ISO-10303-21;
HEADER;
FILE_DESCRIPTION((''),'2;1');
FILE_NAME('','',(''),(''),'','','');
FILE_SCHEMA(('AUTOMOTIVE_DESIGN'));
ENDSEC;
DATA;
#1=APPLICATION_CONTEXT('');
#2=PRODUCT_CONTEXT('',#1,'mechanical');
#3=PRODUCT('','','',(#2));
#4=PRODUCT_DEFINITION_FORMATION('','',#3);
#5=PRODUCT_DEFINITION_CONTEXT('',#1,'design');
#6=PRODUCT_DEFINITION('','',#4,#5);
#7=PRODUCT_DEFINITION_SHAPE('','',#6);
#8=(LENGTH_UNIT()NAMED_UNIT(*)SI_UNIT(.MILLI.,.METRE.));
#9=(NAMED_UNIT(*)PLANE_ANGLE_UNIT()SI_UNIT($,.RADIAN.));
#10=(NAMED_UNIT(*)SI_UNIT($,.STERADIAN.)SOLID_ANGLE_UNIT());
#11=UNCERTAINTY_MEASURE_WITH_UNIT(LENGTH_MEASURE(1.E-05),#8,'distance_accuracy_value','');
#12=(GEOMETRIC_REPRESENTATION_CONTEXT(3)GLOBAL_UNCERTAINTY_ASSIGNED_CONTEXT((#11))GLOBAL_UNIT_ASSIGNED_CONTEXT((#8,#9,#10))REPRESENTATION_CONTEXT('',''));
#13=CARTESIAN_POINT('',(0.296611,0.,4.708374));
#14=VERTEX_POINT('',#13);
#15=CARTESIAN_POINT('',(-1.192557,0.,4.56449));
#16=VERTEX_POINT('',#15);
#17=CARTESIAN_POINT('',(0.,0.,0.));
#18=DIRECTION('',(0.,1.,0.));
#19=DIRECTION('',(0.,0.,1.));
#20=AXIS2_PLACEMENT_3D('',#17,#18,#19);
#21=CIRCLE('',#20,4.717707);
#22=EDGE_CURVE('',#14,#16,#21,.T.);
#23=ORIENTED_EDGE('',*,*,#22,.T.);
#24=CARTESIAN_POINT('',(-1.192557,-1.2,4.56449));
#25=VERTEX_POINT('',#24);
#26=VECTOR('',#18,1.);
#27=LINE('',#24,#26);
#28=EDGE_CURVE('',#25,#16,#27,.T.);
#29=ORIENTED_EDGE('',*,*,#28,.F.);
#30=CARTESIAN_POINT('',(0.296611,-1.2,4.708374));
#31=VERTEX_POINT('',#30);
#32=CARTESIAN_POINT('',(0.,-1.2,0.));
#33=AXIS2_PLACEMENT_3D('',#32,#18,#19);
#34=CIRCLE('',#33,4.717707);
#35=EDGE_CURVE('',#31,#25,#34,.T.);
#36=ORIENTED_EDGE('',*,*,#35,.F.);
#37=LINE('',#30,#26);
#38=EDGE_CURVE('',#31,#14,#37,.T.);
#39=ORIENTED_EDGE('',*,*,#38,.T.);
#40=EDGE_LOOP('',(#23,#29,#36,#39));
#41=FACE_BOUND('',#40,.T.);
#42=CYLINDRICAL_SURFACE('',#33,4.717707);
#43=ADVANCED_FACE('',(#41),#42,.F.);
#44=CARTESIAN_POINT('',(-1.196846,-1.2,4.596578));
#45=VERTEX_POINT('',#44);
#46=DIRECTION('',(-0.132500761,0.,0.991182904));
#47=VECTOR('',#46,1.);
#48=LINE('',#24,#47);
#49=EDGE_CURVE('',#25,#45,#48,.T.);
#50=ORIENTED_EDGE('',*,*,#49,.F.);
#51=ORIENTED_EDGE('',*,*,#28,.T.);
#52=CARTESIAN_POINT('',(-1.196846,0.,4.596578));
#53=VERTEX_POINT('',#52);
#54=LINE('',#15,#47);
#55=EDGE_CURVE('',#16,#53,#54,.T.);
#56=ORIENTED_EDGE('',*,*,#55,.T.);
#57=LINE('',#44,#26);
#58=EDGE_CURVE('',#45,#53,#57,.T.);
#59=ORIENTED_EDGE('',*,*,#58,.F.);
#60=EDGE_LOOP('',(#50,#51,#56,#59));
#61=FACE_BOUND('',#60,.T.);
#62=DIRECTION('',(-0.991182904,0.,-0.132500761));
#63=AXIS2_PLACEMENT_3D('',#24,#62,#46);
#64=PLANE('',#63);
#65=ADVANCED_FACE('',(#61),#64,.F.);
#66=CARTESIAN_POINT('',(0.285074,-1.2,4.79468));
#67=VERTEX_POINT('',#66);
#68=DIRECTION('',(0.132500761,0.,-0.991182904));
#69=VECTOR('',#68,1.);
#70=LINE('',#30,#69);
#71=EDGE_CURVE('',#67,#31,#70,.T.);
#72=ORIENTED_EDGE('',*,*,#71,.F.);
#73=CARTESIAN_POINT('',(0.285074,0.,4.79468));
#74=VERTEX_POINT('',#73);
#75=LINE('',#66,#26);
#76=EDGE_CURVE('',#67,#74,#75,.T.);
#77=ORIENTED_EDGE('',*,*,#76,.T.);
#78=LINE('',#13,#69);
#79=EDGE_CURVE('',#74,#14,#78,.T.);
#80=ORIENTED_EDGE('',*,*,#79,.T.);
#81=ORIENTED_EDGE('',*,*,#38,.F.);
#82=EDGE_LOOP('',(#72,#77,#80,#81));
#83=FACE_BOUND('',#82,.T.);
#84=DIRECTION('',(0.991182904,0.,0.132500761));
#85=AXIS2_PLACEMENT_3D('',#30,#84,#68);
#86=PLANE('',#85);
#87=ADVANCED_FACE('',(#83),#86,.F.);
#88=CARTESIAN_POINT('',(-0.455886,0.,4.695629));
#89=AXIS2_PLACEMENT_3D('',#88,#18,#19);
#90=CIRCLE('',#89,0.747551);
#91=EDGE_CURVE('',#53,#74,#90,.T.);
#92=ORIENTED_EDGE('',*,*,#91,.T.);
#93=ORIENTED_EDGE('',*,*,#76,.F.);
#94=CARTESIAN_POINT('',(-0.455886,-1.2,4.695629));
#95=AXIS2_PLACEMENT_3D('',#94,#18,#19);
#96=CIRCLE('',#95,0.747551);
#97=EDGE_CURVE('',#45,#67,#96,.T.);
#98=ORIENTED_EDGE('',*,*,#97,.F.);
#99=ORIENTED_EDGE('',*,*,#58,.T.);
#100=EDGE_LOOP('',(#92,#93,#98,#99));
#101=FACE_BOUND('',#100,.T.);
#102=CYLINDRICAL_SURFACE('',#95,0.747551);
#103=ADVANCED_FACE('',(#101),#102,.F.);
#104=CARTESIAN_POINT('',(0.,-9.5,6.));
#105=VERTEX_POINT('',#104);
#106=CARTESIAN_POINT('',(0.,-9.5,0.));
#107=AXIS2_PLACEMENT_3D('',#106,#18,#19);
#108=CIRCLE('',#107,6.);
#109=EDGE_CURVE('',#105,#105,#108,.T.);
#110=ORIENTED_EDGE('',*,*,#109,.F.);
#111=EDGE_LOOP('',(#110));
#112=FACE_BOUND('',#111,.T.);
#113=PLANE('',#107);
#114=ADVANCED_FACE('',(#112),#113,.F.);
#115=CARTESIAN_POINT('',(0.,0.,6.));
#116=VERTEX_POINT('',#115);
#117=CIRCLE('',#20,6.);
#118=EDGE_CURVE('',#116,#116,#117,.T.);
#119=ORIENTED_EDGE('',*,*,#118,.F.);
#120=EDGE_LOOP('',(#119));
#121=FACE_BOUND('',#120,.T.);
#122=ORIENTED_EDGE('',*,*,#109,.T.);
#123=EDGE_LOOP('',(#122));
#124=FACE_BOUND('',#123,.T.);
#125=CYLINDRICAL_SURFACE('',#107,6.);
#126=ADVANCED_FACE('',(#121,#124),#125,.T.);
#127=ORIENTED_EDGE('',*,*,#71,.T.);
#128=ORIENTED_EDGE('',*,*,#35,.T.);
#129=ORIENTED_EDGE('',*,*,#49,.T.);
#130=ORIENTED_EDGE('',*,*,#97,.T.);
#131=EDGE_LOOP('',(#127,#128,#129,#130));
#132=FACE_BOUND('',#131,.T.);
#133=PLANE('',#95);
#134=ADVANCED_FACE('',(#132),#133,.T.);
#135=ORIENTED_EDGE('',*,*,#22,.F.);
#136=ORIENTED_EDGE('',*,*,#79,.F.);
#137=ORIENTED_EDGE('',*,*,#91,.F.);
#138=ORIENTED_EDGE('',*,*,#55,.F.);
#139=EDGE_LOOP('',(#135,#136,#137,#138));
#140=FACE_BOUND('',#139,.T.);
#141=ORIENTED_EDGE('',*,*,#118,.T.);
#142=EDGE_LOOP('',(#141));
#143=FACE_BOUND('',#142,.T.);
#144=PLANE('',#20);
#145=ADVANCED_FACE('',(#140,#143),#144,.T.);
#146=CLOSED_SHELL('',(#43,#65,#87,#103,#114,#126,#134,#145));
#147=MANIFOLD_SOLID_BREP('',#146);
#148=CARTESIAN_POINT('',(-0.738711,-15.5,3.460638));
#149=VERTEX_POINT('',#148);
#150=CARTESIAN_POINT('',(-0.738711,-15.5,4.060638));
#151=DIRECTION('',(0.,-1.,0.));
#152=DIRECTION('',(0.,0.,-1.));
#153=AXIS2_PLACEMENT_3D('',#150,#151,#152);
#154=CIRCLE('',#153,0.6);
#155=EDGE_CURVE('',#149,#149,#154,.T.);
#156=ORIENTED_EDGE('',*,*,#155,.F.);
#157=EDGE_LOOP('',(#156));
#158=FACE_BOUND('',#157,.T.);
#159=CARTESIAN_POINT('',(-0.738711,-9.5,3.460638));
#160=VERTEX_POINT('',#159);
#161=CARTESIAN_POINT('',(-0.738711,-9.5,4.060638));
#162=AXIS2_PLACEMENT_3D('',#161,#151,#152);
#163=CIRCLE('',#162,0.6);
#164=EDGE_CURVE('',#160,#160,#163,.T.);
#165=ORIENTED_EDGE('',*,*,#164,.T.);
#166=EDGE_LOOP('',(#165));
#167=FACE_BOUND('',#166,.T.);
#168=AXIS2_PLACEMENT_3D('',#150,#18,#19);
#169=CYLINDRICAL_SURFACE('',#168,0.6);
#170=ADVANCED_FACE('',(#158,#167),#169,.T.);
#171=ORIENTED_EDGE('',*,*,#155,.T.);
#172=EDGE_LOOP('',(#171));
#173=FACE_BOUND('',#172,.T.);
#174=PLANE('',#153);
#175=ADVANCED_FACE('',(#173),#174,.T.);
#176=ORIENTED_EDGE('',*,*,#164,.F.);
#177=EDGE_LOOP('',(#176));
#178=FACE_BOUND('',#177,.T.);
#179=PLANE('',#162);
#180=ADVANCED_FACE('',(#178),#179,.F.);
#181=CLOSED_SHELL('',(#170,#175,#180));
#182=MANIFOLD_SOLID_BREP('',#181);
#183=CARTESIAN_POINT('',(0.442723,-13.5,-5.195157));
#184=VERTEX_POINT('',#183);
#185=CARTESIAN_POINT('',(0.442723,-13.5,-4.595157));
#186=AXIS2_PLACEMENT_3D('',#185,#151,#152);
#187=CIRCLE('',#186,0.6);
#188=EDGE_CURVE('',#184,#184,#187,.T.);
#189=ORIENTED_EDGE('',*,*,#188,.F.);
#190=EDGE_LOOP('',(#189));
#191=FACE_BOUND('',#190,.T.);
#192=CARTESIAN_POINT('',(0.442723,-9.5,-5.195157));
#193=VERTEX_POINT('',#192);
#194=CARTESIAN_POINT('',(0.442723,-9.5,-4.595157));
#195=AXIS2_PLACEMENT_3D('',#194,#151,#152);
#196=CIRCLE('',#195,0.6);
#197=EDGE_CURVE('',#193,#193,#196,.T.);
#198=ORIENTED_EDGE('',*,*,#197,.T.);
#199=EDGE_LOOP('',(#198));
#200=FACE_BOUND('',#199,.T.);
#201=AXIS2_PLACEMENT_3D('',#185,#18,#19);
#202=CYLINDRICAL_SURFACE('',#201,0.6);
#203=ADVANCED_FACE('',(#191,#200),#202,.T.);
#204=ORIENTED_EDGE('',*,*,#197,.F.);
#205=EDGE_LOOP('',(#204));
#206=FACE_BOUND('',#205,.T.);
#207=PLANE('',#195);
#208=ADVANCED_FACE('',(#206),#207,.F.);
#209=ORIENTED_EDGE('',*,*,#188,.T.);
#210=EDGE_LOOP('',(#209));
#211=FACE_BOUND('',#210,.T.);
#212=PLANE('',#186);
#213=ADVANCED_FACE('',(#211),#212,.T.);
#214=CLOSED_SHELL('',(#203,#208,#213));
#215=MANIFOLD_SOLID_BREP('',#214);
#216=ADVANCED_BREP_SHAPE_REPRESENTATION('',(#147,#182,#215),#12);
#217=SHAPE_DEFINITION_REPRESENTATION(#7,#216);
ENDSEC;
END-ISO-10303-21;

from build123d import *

# Parameters (mm, degrees)
SKETCH1_R           = 6
BOSS_EXTRUDE1_DEPTH = 9.5
CUT_EXTRUDE1_DEPTH  = 1.2
SKETCH3_R           = 0.6
BOSS_EXTRUDE3_DEPTH = 6
SKETCH4_R           = 0.6
BOSS_EXTRUDE4_DEPTH = 4


with BuildPart() as part:
    # Sketch1 → Boss-Extrude1 (new body)
    with BuildSketch(Plane(origin=(0, 0, 0), x_dir=(1, 0, 0), z_dir=(0, 1, 0))):
        Circle(SKETCH1_R)
    extrude(amount=-BOSS_EXTRUDE1_DEPTH)

    # Sketch2 → Cut-Extrude1 (cut)
    with BuildSketch(Plane(origin=(0, 0, 0), x_dir=(1, 0, 0), z_dir=(0, 1, 0))):
        with BuildLine():
            Line((0.296610857, -4.708373641), (0.285073514, -4.794679689))
            ThreePointArc((0.285073514, -4.794679689), (-0.554937351, -5.436588397), (-1.19684606, -4.596577532))
            Line((-1.19684606, -4.596577532), (-1.192556618, -4.56449001))
            ThreePointArc((-1.192556618, -4.56449001), (0.453712824, 4.695839117), (0.296610857, -4.708373641))
        make_face()
    extrude(amount=-CUT_EXTRUDE1_DEPTH, mode=Mode.SUBTRACT)


with BuildPart() as body_2:
    # Sketch3 → Boss-Extrude3 (new body)
    with BuildSketch(Plane.XZ.offset(9.5)):
        with Locations((-0.73871062, 4.060638166)):
            Circle(SKETCH3_R)
    extrude(amount=BOSS_EXTRUDE3_DEPTH)


with BuildPart() as body_3:
    # Sketch4 → Boss-Extrude4 (new body)
    with BuildSketch(Plane.XZ.offset(9.5)):
        with Locations((0.442722745, -4.595156766)):
            Circle(SKETCH4_R)
    extrude(amount=BOSS_EXTRUDE4_DEPTH)


solid = Compound([part.part, body_2.part, body_3.part])
